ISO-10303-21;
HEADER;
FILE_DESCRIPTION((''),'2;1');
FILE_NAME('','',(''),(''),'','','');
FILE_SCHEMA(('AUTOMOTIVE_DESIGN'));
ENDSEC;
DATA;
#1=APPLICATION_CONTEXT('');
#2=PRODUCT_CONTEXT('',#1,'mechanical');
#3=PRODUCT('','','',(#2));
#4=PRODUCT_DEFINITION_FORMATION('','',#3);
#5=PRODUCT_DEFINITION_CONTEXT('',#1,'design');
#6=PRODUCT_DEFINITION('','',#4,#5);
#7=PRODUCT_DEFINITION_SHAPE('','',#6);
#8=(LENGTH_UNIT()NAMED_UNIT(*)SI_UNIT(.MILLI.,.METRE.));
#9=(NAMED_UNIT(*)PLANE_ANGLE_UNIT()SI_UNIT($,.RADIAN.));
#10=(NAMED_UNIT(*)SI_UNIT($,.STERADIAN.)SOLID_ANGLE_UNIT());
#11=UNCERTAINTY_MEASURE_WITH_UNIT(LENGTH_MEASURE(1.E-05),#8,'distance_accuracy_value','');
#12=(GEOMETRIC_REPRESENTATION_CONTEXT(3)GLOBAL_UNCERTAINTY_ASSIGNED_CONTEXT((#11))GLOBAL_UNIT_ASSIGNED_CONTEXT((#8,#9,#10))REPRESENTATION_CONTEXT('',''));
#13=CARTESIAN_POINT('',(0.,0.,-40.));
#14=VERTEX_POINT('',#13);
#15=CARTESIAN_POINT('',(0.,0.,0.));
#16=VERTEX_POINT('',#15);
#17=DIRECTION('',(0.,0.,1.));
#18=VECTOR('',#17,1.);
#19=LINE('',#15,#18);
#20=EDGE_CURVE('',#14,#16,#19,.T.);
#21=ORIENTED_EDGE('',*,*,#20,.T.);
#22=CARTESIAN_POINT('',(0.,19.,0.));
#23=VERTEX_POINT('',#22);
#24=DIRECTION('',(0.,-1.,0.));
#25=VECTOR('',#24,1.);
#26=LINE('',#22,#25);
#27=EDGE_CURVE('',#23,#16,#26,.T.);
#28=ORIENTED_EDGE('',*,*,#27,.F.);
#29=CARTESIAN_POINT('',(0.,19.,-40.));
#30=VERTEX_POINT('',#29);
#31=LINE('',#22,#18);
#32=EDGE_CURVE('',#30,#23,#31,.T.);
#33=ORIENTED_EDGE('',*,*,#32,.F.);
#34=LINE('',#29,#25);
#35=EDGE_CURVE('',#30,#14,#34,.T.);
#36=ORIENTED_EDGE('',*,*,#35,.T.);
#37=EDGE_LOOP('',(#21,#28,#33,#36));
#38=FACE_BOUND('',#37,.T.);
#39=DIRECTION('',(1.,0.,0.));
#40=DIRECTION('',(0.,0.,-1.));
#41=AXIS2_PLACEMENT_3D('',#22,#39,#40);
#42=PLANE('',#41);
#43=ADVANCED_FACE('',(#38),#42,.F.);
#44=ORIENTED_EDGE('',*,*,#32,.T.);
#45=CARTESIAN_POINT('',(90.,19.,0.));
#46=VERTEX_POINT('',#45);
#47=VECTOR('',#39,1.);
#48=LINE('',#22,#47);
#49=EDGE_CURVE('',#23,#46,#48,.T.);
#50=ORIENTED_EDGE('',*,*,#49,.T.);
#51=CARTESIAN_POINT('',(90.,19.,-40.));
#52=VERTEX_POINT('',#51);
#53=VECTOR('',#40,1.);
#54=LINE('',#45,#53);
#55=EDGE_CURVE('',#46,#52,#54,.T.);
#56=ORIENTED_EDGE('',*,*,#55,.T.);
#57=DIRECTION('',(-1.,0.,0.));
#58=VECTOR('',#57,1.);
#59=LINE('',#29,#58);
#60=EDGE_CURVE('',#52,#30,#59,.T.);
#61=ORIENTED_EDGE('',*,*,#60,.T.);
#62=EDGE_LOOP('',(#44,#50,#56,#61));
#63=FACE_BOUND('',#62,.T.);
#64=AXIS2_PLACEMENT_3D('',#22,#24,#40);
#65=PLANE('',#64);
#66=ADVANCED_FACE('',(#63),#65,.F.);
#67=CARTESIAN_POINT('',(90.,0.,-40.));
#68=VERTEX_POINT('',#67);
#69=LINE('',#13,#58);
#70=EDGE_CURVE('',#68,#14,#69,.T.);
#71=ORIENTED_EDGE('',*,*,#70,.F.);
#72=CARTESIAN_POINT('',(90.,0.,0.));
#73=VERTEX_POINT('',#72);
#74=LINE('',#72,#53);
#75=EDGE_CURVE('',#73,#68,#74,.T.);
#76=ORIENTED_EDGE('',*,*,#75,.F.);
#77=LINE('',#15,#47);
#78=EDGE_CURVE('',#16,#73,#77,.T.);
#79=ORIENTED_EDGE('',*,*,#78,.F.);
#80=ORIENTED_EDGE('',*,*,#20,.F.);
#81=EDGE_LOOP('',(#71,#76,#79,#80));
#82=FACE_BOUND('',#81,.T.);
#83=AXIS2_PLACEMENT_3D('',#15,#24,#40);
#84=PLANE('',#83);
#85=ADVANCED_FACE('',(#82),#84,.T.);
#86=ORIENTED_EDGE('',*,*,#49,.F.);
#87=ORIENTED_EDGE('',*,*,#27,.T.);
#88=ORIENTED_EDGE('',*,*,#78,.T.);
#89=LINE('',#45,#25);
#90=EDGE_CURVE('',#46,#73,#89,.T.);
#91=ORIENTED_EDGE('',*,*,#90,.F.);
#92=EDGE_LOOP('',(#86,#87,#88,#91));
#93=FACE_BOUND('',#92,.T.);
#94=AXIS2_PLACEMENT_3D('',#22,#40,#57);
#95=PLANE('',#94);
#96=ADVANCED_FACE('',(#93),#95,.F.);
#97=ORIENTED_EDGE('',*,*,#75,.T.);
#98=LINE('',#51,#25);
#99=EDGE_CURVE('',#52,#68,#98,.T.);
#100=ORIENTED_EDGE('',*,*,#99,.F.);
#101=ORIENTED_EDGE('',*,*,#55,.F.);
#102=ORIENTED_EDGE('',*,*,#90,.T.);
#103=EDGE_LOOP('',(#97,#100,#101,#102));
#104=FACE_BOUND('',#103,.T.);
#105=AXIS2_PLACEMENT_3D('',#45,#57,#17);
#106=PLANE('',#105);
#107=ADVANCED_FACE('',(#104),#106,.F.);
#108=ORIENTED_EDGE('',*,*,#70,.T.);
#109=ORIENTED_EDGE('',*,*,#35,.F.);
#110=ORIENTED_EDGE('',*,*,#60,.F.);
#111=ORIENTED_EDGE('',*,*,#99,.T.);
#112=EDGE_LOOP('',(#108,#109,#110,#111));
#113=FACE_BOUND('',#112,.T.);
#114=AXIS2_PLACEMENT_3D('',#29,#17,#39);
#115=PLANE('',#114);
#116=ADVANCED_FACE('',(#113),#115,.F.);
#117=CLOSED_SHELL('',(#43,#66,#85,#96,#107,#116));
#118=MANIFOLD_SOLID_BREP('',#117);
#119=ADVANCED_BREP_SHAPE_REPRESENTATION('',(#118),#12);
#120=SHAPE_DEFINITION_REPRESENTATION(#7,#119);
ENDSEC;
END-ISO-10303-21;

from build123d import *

# Parameters (mm, degrees)
SKETCH1_W           = 90
SKETCH1_H           = 40
BOSS_EXTRUDE1_DEPTH = 19


with BuildPart() as part:
    # Sketch1 → Boss-Extrude1 (new body)
    with BuildSketch(Plane(origin=(0, 0, 0), x_dir=(1, 0, 0), z_dir=(0, 1, 0))):
        with Locations((45, 20)):
            Rectangle(SKETCH1_W, SKETCH1_H)
    extrude(amount=BOSS_EXTRUDE1_DEPTH)


solid = part.part
